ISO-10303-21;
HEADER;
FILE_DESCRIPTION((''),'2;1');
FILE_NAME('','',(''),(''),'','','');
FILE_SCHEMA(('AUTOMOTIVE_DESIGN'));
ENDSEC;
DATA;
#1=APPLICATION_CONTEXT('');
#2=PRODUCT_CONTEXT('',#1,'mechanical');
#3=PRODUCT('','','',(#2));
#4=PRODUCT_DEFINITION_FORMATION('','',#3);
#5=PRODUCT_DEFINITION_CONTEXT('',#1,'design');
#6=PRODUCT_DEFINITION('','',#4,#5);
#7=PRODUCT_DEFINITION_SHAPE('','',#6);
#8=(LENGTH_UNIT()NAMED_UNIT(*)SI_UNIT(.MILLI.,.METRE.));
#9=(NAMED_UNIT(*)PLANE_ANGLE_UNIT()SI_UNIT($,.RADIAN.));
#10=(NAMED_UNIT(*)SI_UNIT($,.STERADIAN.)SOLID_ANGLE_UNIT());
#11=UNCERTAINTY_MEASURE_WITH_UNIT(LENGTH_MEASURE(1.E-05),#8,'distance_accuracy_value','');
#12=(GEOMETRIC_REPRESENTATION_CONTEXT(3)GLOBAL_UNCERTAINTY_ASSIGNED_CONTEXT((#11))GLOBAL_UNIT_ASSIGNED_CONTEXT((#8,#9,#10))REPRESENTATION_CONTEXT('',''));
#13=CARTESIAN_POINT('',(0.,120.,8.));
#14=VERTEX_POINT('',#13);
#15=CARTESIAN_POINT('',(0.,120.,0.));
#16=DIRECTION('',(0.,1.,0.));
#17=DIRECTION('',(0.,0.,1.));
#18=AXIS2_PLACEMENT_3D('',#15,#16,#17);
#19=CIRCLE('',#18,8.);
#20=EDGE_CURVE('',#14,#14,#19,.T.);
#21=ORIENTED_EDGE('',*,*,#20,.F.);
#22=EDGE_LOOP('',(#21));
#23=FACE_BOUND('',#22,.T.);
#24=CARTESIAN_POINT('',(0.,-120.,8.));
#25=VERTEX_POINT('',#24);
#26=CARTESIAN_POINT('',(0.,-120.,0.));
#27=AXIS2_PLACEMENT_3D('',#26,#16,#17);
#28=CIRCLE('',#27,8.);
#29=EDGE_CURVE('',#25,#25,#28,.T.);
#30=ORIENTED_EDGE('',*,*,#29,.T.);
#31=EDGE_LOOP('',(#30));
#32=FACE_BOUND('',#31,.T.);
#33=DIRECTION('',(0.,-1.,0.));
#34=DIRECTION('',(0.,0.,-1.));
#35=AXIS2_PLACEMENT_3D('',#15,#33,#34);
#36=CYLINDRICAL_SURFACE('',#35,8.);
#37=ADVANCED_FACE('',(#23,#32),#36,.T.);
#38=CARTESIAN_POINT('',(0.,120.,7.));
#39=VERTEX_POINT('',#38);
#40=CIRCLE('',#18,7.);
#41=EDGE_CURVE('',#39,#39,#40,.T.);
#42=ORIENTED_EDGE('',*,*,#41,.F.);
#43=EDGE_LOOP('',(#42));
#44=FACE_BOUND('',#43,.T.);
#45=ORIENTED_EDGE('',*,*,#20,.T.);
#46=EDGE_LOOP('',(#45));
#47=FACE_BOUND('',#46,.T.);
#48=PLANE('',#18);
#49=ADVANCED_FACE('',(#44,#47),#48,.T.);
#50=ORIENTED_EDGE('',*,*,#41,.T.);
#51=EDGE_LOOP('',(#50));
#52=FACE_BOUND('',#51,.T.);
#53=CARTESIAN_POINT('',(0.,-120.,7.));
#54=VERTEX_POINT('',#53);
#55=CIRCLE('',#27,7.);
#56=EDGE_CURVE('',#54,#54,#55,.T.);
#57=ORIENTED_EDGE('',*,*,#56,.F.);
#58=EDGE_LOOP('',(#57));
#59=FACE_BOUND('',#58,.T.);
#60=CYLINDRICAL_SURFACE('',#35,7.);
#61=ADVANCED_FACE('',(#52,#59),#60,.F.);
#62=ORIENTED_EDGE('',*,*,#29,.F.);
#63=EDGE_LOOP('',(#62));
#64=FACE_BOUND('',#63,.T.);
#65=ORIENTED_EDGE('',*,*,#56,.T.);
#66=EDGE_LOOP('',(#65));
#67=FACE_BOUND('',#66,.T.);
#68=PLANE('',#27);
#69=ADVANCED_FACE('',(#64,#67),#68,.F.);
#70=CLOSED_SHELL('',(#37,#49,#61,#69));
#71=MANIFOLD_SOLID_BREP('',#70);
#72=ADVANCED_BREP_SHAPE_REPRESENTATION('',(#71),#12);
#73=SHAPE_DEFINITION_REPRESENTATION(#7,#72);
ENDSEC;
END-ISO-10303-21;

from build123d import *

# Parameters (mm, degrees)
SKETCH1_R           = 8
SKETCH1_R_2         = 7
BOSS_EXTRUDE2_DEPTH = 120


with BuildPart() as part:
    # Sketch1 → Boss-Extrude2 (new, symmetric)
    with BuildSketch(Plane(origin=(0, 0, 0), x_dir=(1, 0, 0), z_dir=(0, 1, 0))):
        Circle(SKETCH1_R)
        Circle(SKETCH1_R_2, mode=Mode.SUBTRACT)
    extrude(amount=BOSS_EXTRUDE2_DEPTH, both=True)


solid = part.part
